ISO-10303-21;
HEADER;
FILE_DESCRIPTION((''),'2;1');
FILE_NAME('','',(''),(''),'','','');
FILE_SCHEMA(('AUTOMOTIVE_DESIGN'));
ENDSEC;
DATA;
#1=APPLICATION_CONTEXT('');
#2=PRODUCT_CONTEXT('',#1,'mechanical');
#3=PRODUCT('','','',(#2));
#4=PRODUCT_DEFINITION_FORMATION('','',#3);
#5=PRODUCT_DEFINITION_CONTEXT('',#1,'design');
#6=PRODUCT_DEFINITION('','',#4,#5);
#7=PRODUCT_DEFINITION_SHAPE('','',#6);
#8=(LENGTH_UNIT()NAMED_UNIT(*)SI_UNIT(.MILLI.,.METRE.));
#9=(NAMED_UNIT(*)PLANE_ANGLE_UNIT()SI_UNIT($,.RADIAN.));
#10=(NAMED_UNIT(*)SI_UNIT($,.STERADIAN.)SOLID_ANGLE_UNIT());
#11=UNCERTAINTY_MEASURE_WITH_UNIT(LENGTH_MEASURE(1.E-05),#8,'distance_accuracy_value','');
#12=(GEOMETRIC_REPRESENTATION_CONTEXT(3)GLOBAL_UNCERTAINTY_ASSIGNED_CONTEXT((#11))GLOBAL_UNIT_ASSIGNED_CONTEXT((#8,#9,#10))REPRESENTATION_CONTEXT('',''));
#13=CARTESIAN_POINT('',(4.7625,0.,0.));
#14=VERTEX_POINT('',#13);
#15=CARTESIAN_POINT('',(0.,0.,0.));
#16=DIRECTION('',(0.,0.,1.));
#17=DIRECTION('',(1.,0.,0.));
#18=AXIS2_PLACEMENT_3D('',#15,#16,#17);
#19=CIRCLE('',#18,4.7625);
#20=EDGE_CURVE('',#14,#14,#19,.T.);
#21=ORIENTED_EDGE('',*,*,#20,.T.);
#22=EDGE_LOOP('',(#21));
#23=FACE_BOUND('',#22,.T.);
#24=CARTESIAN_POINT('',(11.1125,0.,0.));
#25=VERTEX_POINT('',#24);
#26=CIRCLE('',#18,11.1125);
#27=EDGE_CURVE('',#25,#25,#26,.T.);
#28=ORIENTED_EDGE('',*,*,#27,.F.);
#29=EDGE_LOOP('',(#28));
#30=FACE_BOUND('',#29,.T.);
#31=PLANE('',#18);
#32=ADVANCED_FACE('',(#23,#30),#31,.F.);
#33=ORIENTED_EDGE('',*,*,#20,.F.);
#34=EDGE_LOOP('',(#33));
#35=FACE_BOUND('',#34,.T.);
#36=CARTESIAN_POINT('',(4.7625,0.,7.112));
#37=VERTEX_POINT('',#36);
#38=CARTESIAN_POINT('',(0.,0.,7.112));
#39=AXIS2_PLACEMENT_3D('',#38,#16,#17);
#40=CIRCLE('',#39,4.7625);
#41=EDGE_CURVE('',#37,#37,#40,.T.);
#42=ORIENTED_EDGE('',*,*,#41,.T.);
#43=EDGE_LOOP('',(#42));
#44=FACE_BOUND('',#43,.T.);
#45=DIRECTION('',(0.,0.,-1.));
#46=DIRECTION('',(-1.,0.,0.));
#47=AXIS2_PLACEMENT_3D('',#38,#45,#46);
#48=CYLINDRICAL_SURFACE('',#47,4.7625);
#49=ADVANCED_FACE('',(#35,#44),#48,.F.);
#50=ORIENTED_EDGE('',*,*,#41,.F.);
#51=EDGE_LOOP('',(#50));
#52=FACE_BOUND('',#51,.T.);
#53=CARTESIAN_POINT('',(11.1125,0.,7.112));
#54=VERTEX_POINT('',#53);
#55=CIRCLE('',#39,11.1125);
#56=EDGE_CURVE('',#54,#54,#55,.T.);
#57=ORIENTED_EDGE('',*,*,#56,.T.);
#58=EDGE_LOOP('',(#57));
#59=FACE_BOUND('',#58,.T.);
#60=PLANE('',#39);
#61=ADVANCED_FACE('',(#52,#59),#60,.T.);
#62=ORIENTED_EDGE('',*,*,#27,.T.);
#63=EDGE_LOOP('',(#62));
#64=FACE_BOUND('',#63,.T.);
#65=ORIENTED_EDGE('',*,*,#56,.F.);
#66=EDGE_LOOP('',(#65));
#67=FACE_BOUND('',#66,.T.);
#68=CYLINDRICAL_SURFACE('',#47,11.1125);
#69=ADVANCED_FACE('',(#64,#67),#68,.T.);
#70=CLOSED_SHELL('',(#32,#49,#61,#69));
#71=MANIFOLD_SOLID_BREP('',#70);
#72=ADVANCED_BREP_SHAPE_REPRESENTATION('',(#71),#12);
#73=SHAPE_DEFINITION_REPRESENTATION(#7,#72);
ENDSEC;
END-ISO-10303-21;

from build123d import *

# Parameters (mm, degrees)
SKETCH1_R           = 11.1125
SKETCH1_R_2         = 4.7625
BOSS_EXTRUDE1_DEPTH = 7.112


with BuildPart() as part:
    # Sketch1 → Boss-Extrude1 (new body)
    with BuildSketch(Plane.XY):
        Circle(SKETCH1_R)
        Circle(SKETCH1_R_2, mode=Mode.SUBTRACT)
    extrude(amount=BOSS_EXTRUDE1_DEPTH)


solid = part.part
